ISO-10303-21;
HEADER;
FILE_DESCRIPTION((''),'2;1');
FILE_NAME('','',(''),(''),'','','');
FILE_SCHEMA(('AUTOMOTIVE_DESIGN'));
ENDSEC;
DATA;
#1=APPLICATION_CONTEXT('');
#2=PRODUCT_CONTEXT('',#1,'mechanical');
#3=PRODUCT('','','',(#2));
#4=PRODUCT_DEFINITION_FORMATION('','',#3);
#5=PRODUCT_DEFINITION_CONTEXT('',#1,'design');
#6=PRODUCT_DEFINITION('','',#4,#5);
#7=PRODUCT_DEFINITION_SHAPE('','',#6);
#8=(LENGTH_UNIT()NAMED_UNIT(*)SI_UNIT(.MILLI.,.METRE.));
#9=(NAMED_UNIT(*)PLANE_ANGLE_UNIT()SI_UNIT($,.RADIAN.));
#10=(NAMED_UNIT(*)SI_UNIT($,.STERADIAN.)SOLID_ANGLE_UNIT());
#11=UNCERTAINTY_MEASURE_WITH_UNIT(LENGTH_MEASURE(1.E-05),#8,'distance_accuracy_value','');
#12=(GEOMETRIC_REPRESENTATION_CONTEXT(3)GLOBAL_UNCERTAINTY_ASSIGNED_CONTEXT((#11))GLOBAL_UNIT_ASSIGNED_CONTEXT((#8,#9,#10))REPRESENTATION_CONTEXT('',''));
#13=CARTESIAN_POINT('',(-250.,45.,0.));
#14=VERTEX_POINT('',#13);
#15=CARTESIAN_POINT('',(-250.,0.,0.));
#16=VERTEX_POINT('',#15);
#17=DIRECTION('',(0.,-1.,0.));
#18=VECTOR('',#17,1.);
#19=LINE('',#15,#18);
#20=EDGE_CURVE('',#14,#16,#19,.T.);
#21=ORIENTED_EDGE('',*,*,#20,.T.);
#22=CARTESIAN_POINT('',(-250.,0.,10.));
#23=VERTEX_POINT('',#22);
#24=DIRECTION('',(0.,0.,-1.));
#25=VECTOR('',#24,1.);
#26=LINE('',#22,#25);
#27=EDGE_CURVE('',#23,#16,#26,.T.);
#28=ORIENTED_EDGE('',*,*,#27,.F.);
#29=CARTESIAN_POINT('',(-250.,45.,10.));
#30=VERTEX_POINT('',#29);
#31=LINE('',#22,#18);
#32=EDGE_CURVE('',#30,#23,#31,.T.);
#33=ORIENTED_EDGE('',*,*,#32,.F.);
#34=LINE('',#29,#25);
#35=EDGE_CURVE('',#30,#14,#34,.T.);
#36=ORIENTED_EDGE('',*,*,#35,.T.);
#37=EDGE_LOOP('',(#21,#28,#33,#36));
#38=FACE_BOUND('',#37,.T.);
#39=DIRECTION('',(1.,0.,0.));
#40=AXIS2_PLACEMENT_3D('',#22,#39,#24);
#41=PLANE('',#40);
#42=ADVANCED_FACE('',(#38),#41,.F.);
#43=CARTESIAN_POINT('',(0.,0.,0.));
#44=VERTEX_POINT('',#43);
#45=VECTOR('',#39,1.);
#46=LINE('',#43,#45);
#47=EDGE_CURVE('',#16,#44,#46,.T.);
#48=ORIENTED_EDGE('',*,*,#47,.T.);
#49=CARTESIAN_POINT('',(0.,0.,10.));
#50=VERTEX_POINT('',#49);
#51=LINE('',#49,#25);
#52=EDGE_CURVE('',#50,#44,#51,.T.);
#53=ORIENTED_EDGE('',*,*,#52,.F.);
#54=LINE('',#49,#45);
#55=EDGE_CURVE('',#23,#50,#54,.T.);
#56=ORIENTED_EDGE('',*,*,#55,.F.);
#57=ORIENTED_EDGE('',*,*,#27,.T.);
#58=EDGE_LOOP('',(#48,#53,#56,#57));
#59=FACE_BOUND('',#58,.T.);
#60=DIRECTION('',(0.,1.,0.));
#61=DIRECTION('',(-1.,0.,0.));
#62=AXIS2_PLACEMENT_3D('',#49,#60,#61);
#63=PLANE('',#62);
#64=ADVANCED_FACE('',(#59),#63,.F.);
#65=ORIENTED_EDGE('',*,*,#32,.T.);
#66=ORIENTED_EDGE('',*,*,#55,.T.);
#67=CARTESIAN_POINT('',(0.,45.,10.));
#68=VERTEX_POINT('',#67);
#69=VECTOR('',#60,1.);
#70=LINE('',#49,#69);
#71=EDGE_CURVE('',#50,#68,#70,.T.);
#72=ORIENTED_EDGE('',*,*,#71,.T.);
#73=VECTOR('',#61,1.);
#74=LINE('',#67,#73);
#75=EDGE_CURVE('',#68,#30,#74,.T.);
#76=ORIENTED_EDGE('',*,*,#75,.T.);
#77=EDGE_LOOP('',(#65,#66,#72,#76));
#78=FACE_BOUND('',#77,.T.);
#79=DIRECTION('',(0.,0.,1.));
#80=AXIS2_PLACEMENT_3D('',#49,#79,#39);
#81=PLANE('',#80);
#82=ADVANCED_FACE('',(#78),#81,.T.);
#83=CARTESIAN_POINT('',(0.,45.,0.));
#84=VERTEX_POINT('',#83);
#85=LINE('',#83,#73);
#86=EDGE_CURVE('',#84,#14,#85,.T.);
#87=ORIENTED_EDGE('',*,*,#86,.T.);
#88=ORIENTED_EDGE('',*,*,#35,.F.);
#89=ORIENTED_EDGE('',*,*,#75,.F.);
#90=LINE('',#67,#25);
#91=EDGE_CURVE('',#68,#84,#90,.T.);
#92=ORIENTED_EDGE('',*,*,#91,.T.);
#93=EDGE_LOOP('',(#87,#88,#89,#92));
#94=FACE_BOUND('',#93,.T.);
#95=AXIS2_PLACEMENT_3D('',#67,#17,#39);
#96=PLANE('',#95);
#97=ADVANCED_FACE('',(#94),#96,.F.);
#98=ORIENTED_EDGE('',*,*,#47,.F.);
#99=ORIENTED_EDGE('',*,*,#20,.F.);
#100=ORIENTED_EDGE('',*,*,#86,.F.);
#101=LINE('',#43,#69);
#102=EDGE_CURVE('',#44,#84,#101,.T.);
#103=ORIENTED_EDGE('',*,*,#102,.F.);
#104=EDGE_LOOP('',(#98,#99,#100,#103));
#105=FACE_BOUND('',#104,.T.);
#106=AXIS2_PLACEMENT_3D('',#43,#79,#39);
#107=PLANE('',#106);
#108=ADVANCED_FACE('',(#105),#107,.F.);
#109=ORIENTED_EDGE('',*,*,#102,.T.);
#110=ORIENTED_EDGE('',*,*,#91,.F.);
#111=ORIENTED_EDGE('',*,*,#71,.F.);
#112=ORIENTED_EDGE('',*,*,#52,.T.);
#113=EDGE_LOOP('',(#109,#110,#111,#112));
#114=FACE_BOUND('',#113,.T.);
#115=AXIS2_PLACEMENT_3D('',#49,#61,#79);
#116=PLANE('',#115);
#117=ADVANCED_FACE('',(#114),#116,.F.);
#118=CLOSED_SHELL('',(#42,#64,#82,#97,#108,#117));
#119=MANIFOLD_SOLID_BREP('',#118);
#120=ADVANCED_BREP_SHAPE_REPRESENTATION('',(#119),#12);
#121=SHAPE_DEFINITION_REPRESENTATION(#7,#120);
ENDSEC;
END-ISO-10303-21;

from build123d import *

# Parameters (mm, degrees)
SKETCH1_W           = 250
SKETCH1_H           = 45
BOSS_EXTRUDE1_DEPTH = 10


with BuildPart() as part:
    # Sketch1 → Boss-Extrude1 (new body)
    with BuildSketch(Plane.XY):
        with Locations((-125, 22.5)):
            Rectangle(SKETCH1_W, SKETCH1_H)
    extrude(amount=BOSS_EXTRUDE1_DEPTH)


solid = part.part
